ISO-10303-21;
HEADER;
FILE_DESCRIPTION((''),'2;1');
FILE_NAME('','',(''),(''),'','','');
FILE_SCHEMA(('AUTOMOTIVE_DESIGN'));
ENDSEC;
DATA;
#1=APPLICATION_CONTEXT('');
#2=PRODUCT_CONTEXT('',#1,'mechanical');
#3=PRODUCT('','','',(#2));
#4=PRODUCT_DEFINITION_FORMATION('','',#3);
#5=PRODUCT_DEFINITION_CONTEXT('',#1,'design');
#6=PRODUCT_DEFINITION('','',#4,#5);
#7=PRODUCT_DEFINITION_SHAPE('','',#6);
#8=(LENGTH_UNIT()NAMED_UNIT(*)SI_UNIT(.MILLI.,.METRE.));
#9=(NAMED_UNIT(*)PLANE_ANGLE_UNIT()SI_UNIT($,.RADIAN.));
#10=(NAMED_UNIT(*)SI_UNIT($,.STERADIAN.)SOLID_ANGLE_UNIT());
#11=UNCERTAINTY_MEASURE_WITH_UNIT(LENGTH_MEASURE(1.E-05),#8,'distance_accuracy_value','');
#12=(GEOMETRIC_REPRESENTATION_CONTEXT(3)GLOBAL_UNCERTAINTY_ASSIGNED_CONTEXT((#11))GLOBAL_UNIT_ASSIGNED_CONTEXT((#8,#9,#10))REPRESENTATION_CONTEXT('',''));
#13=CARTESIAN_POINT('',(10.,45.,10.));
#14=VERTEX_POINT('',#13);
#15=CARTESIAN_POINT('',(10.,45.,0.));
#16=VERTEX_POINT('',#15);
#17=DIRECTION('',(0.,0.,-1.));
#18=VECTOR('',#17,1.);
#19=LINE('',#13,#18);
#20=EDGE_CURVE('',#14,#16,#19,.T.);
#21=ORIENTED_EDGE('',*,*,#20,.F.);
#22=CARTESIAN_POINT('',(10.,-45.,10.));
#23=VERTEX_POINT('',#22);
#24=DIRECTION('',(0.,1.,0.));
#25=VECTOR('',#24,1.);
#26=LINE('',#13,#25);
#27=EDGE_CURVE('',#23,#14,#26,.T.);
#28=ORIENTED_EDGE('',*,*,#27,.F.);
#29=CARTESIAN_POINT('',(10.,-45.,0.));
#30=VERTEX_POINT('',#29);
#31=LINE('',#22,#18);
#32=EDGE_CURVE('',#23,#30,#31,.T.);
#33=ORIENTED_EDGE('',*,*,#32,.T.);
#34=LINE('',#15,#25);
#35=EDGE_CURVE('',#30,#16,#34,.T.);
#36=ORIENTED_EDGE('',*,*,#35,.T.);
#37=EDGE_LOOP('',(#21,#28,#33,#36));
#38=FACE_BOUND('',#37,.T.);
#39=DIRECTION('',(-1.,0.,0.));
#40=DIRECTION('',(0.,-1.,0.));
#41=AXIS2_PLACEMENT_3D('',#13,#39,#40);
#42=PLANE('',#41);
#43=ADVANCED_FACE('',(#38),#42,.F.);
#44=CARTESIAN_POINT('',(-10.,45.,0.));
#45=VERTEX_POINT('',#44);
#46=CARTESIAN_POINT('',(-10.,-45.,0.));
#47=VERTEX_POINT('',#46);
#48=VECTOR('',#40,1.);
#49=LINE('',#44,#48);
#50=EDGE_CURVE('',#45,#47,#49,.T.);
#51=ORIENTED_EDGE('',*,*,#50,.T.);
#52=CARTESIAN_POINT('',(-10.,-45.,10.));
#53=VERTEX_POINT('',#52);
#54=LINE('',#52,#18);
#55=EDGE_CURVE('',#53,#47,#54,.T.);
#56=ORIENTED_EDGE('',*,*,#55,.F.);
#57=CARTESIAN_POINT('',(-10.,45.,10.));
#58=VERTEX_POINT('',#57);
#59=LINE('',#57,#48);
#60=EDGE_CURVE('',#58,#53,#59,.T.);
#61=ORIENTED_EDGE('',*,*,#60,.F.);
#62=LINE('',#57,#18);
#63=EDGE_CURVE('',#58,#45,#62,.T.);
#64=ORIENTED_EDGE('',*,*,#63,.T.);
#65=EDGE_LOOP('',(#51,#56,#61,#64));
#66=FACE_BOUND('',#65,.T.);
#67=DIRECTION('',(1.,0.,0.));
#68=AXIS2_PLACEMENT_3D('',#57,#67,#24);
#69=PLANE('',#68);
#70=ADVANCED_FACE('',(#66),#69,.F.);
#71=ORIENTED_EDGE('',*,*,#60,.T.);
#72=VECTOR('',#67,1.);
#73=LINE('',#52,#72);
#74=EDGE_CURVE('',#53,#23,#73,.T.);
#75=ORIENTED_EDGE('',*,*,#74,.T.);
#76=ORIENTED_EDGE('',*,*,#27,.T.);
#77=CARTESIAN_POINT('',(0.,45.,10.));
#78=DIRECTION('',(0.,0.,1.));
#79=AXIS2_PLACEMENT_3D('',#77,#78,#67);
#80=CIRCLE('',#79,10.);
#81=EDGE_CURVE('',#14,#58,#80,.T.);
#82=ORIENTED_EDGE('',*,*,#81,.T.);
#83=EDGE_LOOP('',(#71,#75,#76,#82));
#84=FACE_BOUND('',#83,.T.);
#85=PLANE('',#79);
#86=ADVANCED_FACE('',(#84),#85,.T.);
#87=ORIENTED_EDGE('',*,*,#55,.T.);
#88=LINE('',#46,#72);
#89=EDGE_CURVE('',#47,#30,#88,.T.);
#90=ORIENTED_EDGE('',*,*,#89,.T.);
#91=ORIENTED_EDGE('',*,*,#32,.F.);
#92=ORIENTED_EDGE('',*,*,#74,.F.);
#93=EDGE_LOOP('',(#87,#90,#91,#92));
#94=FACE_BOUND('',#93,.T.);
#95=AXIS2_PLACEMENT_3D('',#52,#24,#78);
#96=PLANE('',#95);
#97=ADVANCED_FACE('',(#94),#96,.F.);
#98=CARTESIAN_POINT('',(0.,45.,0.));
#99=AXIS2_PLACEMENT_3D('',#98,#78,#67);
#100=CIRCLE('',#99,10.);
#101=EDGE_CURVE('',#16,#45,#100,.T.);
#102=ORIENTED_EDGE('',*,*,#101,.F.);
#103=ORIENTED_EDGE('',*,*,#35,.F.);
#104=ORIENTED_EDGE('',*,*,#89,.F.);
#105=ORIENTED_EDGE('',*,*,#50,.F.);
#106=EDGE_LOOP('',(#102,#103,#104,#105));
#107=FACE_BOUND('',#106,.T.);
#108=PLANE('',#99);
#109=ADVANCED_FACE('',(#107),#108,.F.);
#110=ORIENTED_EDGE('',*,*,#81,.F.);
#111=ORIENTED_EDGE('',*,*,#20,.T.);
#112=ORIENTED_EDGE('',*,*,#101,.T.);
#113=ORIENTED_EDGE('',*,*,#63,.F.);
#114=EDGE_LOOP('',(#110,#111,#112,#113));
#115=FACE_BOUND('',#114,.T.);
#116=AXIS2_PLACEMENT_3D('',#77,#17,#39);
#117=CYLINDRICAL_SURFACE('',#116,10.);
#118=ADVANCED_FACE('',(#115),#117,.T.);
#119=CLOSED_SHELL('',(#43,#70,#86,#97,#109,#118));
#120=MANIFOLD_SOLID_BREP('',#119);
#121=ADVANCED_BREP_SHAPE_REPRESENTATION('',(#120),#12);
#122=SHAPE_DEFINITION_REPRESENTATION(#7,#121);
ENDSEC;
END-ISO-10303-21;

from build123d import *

# Parameters (mm, degrees)
BOSS_EXTRUDE1_DEPTH = 10


with BuildPart() as part:
    # Sketch1 → Boss-Extrude1 (new body)
    with BuildSketch(Plane.XY):
        with BuildLine():
            Line((-10, 45), (-10, -45))
            Line((-10, -45), (10, -45))
            Line((10, -45), (10, 45))
            ThreePointArc((10, 45), (0, 55), (-10, 45))
        make_face()
    extrude(amount=BOSS_EXTRUDE1_DEPTH)


solid = part.part
